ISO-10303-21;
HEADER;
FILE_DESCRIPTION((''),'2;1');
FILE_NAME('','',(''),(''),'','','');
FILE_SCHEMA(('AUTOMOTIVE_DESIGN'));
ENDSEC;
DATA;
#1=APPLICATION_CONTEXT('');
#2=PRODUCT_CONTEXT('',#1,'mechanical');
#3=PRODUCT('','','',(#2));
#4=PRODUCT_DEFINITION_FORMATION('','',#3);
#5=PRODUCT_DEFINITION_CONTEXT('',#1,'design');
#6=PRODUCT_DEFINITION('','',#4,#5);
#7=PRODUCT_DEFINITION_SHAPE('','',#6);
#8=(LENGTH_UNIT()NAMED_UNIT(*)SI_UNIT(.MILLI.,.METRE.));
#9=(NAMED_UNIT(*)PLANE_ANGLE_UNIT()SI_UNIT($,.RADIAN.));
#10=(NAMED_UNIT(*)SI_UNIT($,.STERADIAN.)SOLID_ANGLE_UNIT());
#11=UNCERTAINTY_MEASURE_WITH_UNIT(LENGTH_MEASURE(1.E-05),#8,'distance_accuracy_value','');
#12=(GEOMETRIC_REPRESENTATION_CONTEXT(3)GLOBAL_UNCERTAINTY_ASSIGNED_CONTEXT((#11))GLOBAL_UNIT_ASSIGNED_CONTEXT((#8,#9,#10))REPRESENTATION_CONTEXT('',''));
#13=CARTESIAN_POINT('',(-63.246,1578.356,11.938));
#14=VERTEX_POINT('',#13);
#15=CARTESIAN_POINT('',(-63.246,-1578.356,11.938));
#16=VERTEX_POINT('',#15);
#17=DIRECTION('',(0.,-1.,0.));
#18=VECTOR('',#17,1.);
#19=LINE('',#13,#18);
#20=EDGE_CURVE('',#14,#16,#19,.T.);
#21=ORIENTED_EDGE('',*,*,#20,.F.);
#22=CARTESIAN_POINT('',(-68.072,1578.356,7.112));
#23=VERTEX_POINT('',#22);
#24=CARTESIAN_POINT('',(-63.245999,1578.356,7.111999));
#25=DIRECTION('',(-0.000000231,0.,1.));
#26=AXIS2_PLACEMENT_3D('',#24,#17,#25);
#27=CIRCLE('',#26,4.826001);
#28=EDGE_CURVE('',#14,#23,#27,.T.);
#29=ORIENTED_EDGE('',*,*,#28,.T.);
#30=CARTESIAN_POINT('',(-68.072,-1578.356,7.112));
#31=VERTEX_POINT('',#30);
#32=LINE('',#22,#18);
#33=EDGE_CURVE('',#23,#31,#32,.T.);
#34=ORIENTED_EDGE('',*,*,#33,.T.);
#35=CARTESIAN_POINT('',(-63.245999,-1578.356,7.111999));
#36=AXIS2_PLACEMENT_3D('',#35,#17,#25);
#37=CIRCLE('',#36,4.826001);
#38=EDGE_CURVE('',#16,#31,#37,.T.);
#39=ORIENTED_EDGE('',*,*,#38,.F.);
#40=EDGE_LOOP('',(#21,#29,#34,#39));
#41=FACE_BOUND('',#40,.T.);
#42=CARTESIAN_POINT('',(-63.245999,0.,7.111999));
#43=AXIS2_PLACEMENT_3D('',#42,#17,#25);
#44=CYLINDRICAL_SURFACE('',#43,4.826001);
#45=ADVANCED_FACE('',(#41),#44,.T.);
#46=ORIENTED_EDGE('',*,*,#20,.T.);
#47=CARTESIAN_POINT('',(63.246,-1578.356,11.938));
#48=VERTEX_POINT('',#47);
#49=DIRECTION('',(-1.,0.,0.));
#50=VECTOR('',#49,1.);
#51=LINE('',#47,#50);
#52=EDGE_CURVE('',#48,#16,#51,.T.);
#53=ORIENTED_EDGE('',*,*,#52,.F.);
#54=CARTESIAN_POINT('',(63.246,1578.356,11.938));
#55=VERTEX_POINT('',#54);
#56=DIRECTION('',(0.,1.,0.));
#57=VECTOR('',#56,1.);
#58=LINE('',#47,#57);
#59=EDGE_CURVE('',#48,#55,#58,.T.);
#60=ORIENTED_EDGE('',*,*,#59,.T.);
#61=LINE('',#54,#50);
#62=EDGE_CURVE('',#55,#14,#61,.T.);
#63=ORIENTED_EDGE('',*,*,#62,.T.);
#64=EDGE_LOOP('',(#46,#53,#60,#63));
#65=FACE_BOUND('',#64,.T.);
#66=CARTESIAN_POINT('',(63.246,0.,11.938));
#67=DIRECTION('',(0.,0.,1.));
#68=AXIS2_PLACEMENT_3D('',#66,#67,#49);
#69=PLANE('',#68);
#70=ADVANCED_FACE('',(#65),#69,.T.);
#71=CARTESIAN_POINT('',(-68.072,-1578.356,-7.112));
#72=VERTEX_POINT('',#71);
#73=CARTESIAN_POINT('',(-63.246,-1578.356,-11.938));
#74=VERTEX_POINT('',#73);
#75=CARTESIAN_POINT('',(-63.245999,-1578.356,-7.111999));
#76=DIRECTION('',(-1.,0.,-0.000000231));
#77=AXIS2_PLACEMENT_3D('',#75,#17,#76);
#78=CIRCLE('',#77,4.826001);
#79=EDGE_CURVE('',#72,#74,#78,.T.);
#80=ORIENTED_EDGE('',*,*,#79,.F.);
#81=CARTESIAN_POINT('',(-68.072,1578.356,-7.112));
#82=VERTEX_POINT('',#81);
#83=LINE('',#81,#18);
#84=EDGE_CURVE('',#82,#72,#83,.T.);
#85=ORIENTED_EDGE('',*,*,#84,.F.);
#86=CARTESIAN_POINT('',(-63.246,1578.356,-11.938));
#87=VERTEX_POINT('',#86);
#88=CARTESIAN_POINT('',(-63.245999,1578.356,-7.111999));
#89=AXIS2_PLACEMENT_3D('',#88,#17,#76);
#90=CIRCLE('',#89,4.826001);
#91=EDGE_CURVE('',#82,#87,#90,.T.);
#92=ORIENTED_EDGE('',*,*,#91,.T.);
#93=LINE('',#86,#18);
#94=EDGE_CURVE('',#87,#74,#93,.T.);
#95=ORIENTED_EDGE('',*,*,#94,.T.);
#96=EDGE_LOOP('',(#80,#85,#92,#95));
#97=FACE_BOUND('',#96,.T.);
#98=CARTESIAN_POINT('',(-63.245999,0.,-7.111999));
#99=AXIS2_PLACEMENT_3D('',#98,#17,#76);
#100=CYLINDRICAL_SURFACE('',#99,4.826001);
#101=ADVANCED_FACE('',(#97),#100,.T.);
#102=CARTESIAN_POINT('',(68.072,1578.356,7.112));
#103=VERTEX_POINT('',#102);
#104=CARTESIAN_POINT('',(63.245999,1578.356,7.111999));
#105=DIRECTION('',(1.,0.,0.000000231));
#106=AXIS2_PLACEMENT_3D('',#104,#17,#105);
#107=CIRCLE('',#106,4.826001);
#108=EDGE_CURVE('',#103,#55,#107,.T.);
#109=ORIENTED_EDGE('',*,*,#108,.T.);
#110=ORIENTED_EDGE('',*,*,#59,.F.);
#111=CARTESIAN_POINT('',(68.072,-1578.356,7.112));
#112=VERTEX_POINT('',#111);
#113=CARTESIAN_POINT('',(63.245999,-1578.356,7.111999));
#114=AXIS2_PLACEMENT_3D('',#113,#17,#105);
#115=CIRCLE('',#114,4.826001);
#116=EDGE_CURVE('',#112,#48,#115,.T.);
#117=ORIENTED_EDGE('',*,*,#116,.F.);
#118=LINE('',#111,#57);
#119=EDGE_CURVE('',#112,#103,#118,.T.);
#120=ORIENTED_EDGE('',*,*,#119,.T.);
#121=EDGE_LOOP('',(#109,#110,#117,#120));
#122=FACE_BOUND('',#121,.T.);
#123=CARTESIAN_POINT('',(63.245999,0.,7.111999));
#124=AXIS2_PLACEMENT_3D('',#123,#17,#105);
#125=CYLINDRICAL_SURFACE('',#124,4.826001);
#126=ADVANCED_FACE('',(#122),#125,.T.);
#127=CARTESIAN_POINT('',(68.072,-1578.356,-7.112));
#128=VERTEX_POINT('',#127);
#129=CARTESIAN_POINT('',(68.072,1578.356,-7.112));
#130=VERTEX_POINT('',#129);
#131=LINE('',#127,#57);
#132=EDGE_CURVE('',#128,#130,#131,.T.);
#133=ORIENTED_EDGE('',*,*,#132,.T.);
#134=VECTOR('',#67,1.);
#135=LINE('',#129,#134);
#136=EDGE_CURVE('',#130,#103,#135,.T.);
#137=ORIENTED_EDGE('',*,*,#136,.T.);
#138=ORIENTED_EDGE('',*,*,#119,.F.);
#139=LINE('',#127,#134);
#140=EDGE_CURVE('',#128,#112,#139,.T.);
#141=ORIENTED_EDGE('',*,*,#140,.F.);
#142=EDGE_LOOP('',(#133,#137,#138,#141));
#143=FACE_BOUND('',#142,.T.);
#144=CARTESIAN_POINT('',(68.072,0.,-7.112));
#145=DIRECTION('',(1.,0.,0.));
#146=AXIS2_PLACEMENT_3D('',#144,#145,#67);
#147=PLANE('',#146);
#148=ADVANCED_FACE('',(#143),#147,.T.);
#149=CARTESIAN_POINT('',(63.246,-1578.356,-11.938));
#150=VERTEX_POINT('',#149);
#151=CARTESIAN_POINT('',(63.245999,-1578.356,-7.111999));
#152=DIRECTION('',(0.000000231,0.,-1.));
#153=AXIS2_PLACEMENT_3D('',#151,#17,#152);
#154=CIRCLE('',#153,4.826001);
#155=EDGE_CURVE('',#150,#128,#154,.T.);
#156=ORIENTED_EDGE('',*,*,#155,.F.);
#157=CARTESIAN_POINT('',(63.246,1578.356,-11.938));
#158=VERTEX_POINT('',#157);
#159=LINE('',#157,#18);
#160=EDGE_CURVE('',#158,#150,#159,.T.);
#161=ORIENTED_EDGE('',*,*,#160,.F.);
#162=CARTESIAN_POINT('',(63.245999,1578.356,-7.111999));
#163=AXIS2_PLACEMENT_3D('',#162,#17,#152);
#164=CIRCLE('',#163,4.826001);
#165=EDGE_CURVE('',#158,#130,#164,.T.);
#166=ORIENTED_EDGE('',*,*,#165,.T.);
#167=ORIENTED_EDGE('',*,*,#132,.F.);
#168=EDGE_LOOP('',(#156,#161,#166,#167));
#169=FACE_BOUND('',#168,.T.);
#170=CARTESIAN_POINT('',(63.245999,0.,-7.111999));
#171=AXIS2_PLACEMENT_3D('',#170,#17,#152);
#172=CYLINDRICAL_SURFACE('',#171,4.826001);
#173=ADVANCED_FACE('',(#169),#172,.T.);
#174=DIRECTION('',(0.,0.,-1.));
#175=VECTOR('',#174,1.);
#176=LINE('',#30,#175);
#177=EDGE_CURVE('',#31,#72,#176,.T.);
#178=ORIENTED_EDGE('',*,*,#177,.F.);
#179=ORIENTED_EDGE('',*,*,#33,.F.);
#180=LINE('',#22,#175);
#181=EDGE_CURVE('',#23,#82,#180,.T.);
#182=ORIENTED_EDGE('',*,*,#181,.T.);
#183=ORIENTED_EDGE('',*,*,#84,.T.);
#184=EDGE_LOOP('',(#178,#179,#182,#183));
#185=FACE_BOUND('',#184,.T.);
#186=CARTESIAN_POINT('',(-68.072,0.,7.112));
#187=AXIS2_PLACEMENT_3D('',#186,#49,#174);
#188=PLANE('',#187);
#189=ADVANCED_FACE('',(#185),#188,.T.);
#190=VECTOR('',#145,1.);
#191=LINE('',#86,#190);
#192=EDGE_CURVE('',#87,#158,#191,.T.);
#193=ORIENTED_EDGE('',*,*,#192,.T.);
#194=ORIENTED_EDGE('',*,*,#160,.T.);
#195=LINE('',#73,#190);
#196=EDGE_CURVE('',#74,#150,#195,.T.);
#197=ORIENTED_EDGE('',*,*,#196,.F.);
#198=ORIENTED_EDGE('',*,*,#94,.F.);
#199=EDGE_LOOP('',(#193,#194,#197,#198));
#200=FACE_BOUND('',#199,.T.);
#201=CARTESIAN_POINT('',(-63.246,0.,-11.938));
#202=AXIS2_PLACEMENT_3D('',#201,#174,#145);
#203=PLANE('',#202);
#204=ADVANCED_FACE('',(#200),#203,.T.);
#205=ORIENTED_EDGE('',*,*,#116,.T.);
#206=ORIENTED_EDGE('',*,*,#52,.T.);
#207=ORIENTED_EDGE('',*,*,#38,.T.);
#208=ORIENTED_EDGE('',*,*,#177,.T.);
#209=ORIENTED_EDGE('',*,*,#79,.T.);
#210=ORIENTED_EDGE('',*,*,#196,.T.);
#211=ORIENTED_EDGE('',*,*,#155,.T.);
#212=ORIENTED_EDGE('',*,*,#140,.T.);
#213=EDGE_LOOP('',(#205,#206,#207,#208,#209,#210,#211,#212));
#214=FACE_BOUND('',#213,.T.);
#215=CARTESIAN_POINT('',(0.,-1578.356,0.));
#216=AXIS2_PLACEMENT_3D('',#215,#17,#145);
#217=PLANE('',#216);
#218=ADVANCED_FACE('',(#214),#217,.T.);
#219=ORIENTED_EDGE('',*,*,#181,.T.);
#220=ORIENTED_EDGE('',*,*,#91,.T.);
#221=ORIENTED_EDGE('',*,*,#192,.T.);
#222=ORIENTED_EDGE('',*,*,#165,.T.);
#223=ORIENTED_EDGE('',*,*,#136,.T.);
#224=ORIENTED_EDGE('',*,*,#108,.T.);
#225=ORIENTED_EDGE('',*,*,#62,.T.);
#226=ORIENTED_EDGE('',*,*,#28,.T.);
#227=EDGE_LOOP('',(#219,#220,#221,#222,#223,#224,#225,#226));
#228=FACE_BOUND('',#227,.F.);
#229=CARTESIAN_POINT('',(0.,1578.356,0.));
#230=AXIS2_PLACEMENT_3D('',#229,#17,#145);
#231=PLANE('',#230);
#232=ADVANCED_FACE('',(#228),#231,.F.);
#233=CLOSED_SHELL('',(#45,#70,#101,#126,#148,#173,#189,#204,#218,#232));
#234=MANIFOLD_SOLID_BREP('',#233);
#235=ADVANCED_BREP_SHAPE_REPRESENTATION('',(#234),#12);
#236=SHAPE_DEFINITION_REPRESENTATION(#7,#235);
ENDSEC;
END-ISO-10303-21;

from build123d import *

# Parameters (mm, degrees)
F1_DEPTH = 1578.356


with BuildPart() as f1:
    # F0 (on Front) → F1 (new body, symmetric)
    with BuildSketch(Plane.XZ):
        with BuildLine():
            Line((63.246, 11.938), (-63.246, 11.938))
            ThreePointArc((-63.246, 11.938), (-66.658497, 10.524497), (-68.072, 7.112))
            Line((-68.072, 7.112), (-68.072, -7.112))
            ThreePointArc((-68.072, -7.112), (-66.658497, -10.524497), (-63.246, -11.938))
            Line((-63.246, -11.938), (63.246, -11.938))
            ThreePointArc((63.246, -11.938), (66.658497, -10.524497), (68.072, -7.112))
            Line((68.072, -7.112), (68.072, 7.112))
            ThreePointArc((68.072, 7.112), (66.658497, 10.524497), (63.246, 11.938))
        make_face()
    extrude(amount=F1_DEPTH, both=True)


solid = f1.part
